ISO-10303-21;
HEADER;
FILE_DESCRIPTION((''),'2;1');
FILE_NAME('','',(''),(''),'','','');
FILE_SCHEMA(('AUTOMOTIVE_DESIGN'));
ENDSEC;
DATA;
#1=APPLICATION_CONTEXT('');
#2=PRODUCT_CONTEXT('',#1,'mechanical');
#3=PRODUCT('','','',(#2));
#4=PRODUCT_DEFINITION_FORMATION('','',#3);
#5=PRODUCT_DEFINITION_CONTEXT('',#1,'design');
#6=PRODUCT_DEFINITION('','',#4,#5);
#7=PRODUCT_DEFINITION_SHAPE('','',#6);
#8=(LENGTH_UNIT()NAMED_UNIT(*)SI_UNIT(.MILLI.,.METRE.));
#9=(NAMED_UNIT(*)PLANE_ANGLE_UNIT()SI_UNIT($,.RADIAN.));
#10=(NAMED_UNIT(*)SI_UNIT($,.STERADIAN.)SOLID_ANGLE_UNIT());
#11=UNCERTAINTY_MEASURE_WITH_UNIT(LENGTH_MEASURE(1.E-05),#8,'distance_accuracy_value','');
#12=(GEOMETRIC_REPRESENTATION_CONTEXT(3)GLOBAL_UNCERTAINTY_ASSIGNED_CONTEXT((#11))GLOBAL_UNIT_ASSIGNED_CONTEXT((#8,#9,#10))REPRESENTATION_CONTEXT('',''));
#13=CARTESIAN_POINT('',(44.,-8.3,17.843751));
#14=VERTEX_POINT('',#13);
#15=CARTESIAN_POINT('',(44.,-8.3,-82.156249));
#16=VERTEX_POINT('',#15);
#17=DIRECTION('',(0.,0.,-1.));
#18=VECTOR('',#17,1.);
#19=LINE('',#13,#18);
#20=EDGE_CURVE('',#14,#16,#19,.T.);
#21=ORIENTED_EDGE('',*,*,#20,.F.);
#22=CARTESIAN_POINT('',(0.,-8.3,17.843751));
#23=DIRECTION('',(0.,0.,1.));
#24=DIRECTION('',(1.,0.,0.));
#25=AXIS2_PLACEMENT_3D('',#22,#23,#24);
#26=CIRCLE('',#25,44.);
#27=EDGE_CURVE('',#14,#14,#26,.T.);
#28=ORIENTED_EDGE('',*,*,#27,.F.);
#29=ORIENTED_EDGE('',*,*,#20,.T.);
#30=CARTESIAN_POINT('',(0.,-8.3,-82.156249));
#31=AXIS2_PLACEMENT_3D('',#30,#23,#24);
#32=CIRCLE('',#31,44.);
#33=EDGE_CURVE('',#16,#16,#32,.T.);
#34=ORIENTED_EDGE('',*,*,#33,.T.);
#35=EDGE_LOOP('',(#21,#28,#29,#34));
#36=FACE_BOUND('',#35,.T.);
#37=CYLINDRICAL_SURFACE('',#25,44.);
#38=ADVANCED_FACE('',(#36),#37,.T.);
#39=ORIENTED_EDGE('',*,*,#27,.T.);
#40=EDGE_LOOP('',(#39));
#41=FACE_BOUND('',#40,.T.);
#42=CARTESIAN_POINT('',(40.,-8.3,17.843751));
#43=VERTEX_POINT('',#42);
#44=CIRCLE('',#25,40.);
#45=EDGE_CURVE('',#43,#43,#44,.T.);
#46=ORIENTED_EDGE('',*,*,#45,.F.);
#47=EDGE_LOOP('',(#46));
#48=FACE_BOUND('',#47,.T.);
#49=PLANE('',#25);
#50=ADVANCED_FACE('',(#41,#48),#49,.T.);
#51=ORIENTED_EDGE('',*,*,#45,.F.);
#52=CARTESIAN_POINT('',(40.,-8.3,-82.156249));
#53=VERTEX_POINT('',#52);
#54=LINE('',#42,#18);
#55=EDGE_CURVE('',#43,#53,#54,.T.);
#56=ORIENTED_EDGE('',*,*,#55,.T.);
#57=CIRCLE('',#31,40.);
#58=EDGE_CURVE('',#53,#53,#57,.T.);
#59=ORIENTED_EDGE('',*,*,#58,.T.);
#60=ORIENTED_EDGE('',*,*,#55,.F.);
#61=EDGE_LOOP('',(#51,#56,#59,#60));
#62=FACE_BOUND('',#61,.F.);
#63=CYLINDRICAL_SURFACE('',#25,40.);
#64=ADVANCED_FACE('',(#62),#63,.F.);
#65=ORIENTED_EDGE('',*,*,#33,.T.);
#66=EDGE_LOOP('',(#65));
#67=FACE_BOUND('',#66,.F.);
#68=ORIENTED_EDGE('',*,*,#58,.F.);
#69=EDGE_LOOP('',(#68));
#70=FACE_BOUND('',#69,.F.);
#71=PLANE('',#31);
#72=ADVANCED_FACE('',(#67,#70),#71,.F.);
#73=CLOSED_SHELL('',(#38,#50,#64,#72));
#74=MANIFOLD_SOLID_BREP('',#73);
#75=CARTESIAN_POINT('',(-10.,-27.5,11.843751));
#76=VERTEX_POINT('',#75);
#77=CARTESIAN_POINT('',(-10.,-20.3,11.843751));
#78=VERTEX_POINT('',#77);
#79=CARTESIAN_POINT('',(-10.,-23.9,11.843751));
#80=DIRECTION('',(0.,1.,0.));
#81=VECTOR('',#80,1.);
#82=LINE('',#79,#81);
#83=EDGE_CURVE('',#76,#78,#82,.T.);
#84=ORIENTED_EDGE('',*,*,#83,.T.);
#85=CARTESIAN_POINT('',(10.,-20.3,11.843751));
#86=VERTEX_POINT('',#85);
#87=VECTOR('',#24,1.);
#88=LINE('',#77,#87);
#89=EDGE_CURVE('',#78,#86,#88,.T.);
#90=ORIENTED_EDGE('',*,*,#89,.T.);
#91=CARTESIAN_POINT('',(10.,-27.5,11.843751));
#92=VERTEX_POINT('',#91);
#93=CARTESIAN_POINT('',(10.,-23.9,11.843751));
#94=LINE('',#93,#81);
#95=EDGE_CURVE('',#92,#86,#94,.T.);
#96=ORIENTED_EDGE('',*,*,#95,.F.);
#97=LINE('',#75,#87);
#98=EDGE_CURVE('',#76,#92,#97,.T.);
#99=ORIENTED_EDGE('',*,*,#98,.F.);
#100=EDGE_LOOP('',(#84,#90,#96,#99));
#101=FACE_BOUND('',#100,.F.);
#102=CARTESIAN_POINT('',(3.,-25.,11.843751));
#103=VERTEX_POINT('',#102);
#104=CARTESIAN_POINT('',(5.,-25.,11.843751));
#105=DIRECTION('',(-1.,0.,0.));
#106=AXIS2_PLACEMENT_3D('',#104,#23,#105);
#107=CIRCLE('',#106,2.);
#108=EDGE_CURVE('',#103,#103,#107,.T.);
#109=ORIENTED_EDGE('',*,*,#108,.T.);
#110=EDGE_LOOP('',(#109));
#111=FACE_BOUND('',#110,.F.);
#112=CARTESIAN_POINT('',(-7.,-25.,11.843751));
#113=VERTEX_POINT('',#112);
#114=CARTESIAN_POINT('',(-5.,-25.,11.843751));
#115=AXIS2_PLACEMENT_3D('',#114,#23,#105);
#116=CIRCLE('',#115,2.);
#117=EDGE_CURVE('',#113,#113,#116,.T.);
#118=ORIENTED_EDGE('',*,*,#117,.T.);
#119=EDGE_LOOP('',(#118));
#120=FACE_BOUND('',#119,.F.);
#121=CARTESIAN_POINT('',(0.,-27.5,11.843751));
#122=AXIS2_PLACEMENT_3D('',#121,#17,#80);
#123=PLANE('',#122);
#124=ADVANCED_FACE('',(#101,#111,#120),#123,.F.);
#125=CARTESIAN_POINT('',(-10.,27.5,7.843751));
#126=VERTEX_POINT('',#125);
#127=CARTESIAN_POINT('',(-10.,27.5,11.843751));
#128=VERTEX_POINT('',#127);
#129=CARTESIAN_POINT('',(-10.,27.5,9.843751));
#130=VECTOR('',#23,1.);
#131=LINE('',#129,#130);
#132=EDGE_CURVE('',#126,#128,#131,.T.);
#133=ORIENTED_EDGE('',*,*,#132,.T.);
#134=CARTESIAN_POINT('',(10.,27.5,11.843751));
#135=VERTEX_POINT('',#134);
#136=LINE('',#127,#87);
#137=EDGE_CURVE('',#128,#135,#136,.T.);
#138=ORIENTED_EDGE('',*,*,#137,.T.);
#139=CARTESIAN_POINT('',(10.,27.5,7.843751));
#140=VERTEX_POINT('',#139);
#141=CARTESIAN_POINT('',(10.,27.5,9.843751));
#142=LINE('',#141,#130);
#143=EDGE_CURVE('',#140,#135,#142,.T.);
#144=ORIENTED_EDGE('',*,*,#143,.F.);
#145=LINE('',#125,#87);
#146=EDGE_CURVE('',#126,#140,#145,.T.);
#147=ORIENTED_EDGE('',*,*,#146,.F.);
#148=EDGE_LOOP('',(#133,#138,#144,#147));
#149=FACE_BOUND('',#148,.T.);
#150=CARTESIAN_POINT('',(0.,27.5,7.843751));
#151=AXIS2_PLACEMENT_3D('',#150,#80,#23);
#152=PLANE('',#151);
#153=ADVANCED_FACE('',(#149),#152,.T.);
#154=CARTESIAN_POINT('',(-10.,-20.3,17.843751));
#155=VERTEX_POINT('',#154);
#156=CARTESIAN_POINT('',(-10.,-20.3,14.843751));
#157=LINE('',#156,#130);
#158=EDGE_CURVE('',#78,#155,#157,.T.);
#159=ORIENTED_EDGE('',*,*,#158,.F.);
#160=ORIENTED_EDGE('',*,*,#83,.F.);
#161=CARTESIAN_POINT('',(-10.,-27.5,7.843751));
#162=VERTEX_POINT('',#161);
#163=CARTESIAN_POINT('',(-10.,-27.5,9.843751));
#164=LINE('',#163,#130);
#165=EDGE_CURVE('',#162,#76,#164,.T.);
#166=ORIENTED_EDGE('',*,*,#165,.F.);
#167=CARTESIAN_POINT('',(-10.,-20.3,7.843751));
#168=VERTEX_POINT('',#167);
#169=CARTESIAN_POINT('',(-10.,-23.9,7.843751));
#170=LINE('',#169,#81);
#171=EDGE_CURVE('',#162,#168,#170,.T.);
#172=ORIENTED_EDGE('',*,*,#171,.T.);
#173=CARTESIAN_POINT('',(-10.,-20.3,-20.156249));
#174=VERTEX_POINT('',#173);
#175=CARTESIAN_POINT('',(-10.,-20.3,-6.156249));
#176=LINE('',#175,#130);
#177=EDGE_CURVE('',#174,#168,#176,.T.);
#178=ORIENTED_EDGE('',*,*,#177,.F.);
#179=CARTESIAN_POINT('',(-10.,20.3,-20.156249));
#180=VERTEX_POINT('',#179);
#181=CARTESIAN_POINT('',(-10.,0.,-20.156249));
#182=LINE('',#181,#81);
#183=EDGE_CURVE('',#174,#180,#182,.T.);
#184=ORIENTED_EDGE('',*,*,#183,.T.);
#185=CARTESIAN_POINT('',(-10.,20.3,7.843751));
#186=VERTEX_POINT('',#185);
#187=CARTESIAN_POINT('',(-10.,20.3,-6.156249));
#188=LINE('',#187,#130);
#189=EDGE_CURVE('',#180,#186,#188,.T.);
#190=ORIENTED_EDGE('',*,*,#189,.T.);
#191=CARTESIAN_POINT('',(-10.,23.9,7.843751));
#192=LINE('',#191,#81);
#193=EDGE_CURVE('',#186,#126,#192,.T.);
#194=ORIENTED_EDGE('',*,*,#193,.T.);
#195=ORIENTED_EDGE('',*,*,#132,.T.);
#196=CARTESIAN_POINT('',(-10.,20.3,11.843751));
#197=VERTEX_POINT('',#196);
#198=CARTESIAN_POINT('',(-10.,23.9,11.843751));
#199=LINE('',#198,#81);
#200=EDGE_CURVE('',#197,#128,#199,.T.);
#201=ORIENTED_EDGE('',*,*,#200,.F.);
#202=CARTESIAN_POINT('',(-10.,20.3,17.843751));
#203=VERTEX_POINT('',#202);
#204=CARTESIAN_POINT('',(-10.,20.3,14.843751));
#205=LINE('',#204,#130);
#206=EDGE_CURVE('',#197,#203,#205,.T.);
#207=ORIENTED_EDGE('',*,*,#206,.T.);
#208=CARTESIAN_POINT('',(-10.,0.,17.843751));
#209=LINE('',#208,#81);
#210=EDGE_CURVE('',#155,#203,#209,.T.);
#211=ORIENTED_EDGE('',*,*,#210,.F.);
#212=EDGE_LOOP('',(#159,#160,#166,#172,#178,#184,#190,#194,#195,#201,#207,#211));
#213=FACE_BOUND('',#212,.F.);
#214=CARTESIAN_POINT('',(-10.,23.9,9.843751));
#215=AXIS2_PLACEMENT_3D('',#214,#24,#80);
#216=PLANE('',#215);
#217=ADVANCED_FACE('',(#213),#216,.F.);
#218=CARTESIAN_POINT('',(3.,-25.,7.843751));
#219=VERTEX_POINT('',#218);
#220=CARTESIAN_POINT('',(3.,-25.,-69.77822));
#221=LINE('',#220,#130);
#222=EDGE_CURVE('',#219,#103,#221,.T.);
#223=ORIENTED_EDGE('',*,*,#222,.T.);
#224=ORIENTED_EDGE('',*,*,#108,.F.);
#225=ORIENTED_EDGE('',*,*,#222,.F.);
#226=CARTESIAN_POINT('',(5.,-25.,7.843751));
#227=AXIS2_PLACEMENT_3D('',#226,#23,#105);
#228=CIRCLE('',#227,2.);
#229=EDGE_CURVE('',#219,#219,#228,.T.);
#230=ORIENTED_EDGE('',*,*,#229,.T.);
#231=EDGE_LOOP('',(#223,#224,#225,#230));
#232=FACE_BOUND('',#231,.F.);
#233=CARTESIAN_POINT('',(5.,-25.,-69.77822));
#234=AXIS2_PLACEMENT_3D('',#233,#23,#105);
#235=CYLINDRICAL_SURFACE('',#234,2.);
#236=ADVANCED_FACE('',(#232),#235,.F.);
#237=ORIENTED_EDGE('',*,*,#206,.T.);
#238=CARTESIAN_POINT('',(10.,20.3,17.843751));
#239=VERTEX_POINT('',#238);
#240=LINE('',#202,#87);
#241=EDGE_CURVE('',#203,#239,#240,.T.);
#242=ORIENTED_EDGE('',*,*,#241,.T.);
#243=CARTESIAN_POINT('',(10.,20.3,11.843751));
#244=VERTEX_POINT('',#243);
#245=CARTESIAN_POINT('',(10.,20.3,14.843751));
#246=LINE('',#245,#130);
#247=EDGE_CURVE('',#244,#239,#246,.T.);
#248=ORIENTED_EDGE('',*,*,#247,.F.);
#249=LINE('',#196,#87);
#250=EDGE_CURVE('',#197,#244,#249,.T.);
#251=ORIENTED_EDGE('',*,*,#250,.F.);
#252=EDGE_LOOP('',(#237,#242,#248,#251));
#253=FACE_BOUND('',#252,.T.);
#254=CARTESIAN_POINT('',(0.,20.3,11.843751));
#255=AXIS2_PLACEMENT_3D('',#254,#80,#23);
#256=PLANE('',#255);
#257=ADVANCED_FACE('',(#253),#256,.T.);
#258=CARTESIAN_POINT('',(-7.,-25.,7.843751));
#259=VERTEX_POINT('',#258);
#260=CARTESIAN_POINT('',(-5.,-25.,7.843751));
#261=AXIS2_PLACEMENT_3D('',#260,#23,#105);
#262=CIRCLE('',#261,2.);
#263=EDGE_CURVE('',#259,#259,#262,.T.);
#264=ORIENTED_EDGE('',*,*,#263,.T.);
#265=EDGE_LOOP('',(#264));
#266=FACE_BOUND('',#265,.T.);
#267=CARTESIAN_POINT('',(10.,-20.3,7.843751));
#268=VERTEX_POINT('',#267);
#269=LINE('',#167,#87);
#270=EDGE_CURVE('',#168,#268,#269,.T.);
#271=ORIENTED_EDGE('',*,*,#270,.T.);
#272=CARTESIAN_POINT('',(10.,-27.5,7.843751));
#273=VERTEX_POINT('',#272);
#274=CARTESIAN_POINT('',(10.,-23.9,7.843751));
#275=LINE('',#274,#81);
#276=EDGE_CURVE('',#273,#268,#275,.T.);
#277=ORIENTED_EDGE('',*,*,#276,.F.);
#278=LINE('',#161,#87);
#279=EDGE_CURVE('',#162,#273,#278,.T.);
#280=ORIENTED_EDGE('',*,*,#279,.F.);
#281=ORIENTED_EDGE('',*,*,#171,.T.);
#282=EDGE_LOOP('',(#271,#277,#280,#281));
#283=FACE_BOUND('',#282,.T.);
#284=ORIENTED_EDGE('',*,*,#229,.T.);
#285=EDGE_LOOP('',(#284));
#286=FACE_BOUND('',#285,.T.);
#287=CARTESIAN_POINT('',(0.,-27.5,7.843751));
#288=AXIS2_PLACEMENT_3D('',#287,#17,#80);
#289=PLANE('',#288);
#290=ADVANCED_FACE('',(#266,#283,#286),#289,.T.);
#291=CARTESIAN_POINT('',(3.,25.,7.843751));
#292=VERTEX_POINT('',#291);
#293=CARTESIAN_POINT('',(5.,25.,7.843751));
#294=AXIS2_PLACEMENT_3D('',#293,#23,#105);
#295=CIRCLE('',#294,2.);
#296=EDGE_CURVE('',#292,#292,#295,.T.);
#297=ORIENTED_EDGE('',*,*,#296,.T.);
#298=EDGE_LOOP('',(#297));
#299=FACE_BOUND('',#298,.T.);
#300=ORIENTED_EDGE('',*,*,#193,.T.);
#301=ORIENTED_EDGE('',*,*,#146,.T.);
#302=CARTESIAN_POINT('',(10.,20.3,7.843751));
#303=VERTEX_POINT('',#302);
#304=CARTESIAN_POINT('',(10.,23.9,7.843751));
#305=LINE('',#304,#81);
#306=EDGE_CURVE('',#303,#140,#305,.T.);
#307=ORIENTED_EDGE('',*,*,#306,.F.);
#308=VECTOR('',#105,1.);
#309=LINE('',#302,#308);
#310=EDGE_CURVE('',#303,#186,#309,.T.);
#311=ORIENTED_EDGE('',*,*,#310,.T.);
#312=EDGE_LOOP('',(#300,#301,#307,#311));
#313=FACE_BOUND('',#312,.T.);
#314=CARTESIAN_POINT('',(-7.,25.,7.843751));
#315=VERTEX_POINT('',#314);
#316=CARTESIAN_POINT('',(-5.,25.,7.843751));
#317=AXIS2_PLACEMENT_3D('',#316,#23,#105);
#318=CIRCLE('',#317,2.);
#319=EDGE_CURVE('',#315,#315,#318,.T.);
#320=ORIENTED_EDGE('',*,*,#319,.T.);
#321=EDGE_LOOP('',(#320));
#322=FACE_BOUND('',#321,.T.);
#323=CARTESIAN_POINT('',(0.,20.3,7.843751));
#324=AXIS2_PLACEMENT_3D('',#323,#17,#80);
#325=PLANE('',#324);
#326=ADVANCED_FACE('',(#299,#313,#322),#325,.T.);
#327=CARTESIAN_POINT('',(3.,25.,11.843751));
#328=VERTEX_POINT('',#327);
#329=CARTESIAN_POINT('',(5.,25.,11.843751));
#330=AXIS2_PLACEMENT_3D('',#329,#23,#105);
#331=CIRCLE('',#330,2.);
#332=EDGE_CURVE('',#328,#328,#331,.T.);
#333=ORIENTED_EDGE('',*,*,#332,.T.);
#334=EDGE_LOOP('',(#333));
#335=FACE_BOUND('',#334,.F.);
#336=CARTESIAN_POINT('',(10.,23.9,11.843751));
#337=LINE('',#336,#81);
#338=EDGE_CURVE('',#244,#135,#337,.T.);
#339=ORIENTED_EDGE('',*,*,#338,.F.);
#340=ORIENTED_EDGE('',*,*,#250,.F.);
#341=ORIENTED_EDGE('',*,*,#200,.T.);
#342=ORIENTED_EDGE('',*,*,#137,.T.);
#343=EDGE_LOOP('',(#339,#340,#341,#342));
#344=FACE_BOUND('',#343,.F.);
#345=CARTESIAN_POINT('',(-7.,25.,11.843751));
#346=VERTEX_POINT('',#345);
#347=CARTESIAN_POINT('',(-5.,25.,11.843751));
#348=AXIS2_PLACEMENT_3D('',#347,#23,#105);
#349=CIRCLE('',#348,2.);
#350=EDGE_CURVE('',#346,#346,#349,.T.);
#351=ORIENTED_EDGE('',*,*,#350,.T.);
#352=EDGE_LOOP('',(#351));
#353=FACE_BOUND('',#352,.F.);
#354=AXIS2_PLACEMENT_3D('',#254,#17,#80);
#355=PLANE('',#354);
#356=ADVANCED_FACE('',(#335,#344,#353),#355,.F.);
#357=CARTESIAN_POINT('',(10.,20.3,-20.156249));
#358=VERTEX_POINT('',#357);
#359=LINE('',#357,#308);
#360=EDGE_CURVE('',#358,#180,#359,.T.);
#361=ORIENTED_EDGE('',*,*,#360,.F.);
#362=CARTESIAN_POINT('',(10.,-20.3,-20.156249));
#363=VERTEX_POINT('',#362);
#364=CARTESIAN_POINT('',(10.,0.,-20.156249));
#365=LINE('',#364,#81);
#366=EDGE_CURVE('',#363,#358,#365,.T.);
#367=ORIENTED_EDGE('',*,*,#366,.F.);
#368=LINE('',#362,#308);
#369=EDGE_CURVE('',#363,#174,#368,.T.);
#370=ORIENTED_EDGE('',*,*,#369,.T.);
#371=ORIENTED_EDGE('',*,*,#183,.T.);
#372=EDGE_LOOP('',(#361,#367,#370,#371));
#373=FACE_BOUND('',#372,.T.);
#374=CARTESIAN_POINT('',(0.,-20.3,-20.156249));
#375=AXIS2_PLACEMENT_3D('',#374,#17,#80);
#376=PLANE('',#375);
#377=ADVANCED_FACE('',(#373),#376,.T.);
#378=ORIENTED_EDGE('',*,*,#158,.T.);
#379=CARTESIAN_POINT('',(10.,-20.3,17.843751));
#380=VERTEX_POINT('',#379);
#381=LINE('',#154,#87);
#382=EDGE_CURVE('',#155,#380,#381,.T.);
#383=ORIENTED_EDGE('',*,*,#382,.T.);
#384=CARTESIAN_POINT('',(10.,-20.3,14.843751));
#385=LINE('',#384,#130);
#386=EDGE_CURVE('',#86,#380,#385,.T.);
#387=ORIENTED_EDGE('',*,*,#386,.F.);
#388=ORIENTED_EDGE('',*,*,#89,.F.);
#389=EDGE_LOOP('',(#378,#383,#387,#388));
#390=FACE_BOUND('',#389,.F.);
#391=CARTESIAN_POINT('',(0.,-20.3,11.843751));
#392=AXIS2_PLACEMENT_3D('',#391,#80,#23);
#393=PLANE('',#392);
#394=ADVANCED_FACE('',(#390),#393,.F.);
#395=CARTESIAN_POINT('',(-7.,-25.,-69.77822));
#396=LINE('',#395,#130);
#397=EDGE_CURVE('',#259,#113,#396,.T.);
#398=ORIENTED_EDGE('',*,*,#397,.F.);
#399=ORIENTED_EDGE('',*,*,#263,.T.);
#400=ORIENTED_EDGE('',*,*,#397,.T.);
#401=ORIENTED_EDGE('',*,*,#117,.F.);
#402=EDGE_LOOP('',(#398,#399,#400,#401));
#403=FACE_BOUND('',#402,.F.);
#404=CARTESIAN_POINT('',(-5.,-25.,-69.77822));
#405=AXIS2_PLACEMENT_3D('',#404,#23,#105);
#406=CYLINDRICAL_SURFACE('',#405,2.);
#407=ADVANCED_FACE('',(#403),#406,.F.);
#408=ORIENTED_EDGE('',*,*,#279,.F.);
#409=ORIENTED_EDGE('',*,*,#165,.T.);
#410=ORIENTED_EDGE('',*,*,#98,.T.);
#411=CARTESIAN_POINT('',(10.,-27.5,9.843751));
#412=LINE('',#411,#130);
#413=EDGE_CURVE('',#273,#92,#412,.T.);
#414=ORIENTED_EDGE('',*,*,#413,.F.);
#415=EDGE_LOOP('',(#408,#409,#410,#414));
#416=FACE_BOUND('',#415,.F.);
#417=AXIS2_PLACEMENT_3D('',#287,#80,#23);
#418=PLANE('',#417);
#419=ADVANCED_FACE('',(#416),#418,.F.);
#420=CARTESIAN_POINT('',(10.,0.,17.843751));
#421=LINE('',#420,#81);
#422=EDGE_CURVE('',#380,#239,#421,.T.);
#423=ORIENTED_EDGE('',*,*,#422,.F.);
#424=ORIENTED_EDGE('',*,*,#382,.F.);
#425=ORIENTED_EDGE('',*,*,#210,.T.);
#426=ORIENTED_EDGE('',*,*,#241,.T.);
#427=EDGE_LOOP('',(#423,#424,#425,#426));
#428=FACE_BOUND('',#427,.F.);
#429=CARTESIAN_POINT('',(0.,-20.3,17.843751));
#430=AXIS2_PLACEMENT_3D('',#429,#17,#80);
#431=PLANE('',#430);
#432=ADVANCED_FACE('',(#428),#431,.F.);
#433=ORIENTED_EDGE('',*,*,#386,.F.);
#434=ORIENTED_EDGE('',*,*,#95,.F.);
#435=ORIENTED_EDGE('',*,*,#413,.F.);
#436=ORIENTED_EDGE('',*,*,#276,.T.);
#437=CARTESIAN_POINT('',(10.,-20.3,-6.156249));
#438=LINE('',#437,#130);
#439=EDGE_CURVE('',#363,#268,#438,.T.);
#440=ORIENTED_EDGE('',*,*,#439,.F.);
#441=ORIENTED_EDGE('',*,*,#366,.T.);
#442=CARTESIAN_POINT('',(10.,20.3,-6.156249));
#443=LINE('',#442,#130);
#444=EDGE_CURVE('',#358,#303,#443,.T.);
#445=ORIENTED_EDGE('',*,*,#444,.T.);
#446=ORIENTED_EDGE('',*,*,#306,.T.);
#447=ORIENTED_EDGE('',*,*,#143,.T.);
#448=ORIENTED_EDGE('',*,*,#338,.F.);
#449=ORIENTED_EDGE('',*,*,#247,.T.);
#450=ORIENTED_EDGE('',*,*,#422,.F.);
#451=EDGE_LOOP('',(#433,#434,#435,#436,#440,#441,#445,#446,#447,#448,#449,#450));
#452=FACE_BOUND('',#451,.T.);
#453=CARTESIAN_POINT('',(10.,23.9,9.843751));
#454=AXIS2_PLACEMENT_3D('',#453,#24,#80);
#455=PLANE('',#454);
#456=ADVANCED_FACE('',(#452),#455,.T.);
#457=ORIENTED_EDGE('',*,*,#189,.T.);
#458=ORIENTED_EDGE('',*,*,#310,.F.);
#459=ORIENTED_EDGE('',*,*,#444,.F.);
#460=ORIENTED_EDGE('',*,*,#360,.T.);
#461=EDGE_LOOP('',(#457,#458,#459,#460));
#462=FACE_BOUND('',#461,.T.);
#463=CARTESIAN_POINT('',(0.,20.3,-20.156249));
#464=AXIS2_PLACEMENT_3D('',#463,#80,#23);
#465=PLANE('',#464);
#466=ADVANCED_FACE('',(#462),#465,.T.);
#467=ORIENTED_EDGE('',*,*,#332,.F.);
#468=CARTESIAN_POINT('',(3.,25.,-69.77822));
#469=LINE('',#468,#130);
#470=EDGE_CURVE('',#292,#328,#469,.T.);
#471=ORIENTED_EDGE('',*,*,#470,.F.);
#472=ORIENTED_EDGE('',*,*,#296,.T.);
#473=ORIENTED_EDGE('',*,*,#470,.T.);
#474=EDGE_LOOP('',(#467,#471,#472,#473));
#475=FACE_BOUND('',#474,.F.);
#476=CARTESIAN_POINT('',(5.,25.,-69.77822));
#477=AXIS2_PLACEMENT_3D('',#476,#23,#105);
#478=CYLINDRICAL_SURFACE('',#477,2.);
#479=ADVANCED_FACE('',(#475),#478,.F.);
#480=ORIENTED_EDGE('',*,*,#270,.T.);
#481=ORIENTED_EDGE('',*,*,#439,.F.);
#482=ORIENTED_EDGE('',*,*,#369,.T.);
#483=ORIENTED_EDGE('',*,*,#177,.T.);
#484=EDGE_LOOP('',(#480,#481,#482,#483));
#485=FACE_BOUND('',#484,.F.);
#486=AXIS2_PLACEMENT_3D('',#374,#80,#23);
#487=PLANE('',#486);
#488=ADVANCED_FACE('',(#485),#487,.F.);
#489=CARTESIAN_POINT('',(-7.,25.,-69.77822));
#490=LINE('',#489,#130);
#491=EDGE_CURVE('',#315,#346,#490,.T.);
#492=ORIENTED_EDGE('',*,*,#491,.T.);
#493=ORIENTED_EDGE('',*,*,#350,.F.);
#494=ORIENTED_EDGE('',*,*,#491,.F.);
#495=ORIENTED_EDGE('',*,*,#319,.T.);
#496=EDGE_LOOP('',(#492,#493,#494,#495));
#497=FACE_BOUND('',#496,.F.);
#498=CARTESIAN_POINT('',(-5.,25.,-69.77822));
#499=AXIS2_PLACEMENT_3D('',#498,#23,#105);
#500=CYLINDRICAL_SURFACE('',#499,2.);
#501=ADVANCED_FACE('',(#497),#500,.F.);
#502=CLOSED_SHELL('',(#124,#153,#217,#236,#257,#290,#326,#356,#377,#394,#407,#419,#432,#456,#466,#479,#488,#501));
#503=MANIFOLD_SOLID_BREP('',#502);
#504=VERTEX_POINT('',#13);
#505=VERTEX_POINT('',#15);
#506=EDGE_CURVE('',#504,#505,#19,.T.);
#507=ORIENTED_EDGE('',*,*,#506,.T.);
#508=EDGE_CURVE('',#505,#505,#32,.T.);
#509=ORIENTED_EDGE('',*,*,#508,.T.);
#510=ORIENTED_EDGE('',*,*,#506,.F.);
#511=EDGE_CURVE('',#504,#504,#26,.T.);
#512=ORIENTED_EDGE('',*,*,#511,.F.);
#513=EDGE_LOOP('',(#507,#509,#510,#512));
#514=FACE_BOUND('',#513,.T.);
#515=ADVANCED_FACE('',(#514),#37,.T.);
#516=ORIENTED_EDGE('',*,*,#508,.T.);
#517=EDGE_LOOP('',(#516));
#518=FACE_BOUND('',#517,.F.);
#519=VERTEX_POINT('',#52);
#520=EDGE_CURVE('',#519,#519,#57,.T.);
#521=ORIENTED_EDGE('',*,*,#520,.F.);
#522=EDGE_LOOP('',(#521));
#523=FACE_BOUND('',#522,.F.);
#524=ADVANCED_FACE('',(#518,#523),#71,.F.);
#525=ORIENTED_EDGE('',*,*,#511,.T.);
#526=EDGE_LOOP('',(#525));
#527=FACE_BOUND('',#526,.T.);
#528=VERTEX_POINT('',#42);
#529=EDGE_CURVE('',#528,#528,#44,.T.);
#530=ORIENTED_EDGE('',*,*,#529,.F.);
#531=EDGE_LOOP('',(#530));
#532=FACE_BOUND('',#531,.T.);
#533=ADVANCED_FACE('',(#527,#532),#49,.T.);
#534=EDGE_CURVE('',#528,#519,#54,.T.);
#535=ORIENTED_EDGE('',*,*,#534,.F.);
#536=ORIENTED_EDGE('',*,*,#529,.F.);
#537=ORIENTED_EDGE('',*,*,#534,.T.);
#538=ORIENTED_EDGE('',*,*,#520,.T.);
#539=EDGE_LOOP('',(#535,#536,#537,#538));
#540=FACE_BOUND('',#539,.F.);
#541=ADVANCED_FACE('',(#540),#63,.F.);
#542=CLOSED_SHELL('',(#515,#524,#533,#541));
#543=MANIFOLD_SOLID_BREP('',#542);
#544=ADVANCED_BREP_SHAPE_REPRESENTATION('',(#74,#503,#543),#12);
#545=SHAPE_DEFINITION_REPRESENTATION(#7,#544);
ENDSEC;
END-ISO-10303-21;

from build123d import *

# Parameters (mm, degrees)
F0_W     = 7.2
F0_H     = 4
F0_W_2   = 40.6
F0_H_2   = 6
F0_H_3   = 28
F1_DEPTH = 10
F4_D     = 4
F3_R     = 44
F3_R_2   = 40
F5_DEPTH = 100
F6_DEPTH = 100


with BuildPart() as f1:
    # F0 (on Right) → F1 (new body, symmetric)
    with BuildSketch(Plane.YZ):
        with Locations((23.9, 9.8437508568)):
            Rectangle(F0_W, F0_H)
        with Locations((0, 14.8437508568)):
            Rectangle(F0_W_2, F0_H_2)
        with Locations((0, -6.1562491432)):
            Rectangle(F0_W_2, F0_H_3)
        with Locations((-23.9, 9.8437508568)):
            Rectangle(F0_W, F0_H)
        with Locations((0, 9.8437508568)):
            Rectangle(F0_W_2, F0_H)
    extrude(amount=F1_DEPTH, both=True)

    # F4 (through all)
    with Locations(Plane(origin=(0, 0, 0), x_dir=(1, 0, 0), z_dir=(0, 0, -1))):
        with Locations((-5, -25), (5, -25), (5, 25), (-5, 25)):
            Hole(F4_D / 2)


with BuildPart() as f5:
    # F3 (on face) → F5 (new body)
    with BuildSketch(Plane.XY.offset(17.8437508568)):
        with Locations((0, -8.3)):
            Circle(F3_R)
        with Locations((0, -8.3)):
            Circle(F3_R_2, mode=Mode.SUBTRACT)
    extrude(amount=-F5_DEPTH)


with BuildPart() as f6:
    # F3 (on face) → F6 (new body, through all)
    with BuildSketch(Plane.XY.offset(17.8437508568)):
        with Locations((0, -8.3)):
            Circle(F3_R)
        with Locations((0, -8.3)):
            Circle(F3_R_2, mode=Mode.SUBTRACT)
    extrude(amount=-F6_DEPTH)


solid = Compound([f1.part, f5.part, f6.part])
